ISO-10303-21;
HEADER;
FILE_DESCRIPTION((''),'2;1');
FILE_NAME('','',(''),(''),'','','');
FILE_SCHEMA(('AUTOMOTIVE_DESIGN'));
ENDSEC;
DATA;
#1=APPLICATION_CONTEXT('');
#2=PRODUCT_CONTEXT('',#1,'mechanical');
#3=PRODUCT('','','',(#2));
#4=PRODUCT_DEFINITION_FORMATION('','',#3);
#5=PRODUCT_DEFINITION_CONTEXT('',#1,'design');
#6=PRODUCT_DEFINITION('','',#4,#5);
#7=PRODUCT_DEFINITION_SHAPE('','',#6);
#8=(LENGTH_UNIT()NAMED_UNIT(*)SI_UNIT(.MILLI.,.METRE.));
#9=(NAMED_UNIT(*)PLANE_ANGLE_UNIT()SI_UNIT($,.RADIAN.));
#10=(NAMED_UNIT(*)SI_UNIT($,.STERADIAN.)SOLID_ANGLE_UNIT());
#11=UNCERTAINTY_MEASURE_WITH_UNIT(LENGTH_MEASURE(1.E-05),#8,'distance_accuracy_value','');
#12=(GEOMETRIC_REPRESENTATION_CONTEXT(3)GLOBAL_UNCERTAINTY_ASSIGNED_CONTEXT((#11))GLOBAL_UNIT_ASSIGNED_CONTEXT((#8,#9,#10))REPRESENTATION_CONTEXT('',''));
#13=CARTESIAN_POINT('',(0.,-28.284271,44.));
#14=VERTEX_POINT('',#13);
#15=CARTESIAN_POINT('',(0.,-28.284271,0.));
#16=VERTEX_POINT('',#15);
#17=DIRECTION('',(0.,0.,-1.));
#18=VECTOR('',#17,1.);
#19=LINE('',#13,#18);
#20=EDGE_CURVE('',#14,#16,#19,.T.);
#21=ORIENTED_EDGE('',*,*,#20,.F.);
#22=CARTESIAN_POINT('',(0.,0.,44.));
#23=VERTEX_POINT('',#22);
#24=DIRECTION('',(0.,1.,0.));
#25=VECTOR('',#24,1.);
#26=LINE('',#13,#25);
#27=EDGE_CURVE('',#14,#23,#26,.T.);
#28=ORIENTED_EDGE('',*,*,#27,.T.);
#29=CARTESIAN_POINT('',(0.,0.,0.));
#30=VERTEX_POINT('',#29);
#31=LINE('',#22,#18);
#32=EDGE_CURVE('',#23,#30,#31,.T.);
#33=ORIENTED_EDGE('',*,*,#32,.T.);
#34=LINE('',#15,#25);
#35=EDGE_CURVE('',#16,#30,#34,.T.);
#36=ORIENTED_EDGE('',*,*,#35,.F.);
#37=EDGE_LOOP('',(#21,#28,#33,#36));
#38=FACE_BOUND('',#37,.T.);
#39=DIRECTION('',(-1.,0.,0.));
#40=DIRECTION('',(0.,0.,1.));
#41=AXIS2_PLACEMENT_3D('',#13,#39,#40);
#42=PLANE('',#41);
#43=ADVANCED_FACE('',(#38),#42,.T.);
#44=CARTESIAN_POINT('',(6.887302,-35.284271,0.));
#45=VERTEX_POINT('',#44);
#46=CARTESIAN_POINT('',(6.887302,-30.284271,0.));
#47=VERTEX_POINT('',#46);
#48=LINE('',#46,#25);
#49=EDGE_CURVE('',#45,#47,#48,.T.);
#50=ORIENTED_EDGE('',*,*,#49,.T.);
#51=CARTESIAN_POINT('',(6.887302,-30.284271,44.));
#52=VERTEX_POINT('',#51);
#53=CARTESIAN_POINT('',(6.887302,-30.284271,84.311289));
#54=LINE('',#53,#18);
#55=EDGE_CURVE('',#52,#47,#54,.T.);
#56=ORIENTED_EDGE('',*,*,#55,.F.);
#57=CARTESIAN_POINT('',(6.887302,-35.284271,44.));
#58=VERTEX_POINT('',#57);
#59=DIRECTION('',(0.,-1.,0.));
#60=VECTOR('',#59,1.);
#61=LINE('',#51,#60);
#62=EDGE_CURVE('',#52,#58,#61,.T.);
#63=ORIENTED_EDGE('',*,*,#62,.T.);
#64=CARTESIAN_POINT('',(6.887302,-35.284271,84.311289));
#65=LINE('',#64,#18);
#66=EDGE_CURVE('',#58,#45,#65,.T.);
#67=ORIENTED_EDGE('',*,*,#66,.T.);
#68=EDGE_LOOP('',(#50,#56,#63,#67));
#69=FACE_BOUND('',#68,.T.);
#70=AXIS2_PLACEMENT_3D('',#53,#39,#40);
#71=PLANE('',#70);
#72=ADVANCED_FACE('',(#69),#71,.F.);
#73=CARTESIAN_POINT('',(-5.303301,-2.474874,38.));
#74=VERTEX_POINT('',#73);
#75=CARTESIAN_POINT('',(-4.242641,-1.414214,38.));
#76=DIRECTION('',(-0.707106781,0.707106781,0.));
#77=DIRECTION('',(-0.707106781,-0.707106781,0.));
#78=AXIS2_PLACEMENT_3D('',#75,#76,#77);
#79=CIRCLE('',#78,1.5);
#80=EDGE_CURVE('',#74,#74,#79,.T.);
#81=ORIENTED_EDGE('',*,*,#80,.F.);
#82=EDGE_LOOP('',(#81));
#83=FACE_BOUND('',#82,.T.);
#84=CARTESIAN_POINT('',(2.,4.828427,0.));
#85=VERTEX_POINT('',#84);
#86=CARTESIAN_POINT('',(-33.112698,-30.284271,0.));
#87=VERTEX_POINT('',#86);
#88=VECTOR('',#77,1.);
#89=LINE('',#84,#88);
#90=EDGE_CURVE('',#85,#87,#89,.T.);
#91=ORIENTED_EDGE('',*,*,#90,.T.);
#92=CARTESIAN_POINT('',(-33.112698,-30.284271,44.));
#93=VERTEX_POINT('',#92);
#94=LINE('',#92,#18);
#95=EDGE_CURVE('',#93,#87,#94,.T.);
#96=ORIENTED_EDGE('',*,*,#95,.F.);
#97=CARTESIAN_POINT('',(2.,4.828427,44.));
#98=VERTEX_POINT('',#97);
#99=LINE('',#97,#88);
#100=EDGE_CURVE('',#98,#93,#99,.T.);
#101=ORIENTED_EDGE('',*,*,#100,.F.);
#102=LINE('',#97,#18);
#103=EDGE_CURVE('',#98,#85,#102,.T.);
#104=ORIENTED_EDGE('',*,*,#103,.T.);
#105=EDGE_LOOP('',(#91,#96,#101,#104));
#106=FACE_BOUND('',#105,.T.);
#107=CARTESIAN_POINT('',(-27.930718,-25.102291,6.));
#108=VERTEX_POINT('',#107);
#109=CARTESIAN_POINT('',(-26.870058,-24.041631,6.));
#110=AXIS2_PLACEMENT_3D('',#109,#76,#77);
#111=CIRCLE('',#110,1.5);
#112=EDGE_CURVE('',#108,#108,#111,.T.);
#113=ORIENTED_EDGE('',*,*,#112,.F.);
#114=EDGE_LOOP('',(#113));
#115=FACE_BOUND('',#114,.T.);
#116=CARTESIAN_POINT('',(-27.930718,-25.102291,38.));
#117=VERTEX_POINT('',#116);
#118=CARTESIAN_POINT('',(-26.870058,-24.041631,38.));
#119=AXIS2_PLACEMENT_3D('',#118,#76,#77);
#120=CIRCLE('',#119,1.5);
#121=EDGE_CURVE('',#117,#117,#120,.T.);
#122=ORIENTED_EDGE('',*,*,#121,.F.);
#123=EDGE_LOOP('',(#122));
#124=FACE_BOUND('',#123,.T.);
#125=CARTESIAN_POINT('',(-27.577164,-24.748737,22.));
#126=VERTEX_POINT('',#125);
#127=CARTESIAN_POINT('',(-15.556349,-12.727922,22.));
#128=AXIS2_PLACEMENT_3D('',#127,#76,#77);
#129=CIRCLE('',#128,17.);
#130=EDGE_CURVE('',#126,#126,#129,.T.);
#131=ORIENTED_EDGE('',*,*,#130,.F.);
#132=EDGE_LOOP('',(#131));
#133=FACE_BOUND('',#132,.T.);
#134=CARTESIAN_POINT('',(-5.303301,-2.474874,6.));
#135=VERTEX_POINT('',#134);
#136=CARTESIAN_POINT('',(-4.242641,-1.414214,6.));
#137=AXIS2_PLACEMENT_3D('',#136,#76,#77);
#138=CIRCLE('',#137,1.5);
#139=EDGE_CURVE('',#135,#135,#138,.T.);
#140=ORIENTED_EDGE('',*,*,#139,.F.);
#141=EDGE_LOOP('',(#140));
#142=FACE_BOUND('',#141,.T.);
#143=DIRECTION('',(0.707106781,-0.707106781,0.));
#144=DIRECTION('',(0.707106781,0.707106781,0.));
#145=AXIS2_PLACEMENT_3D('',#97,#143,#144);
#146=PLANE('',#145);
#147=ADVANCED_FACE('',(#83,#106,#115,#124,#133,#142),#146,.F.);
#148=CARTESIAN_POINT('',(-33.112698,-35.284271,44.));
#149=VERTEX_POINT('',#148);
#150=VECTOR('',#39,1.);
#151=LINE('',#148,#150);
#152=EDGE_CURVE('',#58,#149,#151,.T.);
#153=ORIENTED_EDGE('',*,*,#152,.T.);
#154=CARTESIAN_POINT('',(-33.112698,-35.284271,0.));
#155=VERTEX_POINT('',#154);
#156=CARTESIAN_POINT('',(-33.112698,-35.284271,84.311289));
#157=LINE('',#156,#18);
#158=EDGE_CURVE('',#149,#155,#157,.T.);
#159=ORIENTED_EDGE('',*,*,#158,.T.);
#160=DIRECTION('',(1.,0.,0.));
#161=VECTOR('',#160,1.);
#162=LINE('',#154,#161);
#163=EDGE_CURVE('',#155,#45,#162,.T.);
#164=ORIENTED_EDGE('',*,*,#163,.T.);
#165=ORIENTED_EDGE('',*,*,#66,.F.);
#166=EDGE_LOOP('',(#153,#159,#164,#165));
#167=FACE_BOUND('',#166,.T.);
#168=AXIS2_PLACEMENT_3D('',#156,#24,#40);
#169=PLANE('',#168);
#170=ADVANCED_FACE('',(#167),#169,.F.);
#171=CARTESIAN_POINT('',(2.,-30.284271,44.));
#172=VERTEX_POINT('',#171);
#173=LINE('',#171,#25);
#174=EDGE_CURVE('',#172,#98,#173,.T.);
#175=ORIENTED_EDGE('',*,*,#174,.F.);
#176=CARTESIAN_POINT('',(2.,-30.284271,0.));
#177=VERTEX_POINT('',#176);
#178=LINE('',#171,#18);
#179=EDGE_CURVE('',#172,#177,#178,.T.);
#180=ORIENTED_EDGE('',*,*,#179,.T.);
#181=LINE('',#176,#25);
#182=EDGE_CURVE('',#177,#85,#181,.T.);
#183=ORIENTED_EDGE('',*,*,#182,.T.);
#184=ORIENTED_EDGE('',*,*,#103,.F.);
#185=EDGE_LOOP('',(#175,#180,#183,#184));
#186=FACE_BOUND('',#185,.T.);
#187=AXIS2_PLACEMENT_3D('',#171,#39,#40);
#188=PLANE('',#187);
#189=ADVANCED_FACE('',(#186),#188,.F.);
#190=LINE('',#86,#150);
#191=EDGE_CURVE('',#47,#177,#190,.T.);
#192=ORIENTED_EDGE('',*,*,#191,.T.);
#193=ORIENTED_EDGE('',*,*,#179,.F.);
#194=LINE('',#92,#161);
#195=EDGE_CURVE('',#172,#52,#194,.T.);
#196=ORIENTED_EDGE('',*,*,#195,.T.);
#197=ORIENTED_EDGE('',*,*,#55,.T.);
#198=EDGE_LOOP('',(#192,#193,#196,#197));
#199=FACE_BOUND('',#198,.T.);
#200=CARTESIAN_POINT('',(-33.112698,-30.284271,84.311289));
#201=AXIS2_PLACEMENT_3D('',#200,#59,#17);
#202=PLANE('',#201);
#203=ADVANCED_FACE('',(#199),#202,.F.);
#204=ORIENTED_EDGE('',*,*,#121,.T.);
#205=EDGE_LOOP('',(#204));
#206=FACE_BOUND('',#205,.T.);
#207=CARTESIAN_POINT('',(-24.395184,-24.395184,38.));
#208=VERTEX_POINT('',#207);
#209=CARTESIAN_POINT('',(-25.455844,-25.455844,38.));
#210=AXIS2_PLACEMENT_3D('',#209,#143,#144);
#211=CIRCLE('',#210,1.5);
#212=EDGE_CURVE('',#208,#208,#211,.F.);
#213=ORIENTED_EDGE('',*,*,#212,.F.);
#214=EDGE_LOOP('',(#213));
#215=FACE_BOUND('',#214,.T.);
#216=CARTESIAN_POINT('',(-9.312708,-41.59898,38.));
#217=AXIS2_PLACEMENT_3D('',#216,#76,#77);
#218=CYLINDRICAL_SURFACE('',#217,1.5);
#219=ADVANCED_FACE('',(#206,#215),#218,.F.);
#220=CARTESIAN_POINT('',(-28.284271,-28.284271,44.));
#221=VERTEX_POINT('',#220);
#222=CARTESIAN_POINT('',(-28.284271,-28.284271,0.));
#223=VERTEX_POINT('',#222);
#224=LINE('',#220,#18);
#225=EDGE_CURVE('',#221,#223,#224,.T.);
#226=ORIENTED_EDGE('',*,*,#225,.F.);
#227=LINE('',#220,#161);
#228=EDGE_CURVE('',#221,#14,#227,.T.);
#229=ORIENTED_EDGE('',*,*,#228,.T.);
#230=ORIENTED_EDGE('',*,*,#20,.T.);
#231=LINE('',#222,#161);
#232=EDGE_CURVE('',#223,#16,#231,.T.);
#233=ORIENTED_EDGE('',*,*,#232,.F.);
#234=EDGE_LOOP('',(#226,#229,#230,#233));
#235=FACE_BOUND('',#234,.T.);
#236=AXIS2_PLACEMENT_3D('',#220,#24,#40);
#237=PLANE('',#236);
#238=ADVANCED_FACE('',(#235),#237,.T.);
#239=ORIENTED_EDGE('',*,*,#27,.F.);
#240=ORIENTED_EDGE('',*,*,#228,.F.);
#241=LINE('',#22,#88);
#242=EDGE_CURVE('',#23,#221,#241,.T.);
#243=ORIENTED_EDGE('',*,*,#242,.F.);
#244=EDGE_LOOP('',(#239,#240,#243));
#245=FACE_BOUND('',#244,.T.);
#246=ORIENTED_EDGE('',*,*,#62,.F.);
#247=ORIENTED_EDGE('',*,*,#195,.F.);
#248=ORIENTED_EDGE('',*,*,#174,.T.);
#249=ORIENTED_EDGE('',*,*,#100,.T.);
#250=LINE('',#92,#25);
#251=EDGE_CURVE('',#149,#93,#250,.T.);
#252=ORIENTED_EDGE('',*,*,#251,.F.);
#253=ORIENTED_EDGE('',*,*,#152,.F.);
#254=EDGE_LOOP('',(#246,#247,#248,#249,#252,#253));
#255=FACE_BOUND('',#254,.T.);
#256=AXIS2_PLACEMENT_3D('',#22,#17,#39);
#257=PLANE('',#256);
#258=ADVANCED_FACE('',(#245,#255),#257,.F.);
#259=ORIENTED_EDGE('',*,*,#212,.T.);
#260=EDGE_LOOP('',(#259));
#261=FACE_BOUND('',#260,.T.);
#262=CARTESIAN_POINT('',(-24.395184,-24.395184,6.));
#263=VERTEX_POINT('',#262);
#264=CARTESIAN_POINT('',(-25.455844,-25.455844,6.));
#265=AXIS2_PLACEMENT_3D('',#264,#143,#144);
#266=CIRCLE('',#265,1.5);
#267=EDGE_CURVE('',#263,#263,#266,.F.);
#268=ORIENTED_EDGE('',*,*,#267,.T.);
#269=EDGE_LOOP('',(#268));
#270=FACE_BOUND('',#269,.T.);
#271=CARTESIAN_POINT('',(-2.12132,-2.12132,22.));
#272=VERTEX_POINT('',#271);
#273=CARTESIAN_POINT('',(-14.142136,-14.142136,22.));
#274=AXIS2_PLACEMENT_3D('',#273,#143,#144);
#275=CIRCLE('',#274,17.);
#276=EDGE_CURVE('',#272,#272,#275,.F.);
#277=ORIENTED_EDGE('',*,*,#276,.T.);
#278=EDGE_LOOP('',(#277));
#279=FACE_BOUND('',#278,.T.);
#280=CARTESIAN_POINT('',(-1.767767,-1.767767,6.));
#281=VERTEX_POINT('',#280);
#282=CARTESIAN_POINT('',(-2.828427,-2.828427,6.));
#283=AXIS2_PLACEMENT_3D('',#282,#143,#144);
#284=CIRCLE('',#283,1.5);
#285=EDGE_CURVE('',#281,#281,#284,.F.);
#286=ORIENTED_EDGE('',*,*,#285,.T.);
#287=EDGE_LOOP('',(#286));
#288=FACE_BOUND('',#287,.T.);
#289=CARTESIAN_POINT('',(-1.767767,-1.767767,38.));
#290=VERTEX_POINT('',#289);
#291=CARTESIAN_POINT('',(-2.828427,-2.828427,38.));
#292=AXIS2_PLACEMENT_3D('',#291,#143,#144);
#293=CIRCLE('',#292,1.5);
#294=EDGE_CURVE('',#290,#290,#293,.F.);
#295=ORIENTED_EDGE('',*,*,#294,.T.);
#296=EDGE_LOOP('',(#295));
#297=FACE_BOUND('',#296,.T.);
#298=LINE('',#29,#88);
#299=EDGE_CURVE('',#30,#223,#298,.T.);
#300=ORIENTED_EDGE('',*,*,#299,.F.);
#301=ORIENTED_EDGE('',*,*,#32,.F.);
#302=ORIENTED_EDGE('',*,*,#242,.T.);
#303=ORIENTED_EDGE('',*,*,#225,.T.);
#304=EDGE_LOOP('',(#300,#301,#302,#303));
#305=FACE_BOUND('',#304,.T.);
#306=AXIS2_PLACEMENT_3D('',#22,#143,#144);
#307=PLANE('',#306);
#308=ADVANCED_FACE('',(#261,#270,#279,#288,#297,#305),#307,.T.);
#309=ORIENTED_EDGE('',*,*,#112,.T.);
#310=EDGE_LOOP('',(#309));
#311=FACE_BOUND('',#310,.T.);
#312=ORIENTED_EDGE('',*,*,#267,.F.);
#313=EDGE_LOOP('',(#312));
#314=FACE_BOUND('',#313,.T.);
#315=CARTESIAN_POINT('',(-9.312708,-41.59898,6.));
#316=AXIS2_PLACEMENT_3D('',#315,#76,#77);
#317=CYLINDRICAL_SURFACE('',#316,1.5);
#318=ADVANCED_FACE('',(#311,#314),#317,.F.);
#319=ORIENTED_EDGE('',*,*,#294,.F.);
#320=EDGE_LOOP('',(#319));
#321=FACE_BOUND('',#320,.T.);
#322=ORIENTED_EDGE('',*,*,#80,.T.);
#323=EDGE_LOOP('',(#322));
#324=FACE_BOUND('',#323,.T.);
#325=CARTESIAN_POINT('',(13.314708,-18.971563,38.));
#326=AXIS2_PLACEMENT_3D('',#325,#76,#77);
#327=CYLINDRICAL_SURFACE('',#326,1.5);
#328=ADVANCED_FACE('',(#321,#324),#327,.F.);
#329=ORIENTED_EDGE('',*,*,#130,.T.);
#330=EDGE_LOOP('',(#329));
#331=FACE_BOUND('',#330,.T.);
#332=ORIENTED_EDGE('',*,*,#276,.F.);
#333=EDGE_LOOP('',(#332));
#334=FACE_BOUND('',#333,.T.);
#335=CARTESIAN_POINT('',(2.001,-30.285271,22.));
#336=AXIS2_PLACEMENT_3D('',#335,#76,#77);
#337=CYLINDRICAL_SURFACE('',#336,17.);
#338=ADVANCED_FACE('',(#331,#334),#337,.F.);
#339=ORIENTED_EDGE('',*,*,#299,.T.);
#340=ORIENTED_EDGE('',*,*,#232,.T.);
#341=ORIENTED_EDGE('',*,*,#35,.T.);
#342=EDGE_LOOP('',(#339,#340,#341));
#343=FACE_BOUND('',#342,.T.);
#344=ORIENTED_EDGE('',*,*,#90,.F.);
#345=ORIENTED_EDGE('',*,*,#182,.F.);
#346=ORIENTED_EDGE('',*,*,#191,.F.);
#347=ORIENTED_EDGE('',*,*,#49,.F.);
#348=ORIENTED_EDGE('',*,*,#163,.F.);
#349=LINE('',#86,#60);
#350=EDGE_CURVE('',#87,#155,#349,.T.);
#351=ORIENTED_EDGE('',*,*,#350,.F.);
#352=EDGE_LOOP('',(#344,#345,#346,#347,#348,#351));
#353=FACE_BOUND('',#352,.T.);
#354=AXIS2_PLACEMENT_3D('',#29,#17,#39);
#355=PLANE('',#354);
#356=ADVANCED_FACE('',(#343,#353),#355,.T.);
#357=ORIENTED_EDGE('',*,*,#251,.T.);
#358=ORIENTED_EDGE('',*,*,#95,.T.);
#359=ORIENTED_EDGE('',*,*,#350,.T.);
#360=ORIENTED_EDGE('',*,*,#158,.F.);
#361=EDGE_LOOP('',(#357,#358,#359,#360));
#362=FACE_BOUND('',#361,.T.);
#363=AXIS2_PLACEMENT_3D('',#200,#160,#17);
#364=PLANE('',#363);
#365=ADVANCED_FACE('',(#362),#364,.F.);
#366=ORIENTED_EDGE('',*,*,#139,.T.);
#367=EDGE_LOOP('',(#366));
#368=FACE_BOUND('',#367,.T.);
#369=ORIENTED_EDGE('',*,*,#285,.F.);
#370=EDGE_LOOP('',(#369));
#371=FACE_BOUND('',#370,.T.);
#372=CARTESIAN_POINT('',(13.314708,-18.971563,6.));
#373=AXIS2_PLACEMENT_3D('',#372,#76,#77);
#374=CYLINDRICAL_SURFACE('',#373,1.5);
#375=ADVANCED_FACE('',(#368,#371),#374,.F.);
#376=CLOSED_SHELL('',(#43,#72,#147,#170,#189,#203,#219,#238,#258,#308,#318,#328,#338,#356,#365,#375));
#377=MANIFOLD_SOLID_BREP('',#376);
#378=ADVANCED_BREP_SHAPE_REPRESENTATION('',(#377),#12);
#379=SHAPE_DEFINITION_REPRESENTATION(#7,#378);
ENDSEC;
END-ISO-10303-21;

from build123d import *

# Parameters (mm, degrees)
BOSS_EXTRUDE1_DEPTH = 44
CUT_EXTRUDE1_REACH  = 64.814
SKETCH2_R           = 1.5
SKETCH2_R_2         = 17
SKETCH3_W           = 40
SKETCH3_H           = 5
BOSS_EXTRUDE2_DEPTH = 44


with BuildPart() as part:
    # Sketch1 → Boss-Extrude1 (new body)
    with BuildSketch(Plane.XY):
        Polygon((2, 4.828427125), (-33.112698372, -30.284271247), (2, -30.284271247), align=None)
        Polygon((0, 0), (-28.284271247, -28.284271247), (0, -28.284271247), align=None, mode=Mode.SUBTRACT)
    extrude(amount=BOSS_EXTRUDE1_DEPTH)

    # Sketch2 → Cut-Extrude1 (cut, up to next)
    with BuildSketch(Plane(origin=(-1.414213562, 1.414213562, 0), x_dir=(0, 0, 1), z_dir=(-0.7071067811865513, 0.7071067811865437, 0)), mode=Mode.PRIVATE) as cut_extrude1_sk1:
        with Locations(Location((6, -36, 0), (0, 0, 270))):
            Circle(SKETCH2_R)
    cut_extrude1_tool1 = extrude(cut_extrude1_sk1.sketch, amount=-CUT_EXTRUDE1_REACH, mode=Mode.PRIVATE) & part.part
    # Sketch2 → Cut-Extrude1 (cut, up to next)
    with BuildSketch(Plane(origin=(-1.414213562, 1.414213562, 0), x_dir=(0, 0, 1), z_dir=(-0.7071067811865513, 0.7071067811865437, 0)), mode=Mode.PRIVATE) as cut_extrude1_sk2:
        with Locations(Location((6, -4, 0), (0, 0, 270))):
            Circle(SKETCH2_R)
    cut_extrude1_tool2 = extrude(cut_extrude1_sk2.sketch, amount=-CUT_EXTRUDE1_REACH, mode=Mode.PRIVATE) & part.part
    # Sketch2 → Cut-Extrude1 (cut, up to next)
    with BuildSketch(Plane(origin=(-1.414213562, 1.414213562, 0), x_dir=(0, 0, 1), z_dir=(-0.7071067811865513, 0.7071067811865437, 0)), mode=Mode.PRIVATE) as cut_extrude1_sk3:
        with Locations(Location((38, -36, 0), (0, 0, 270))):
            Circle(SKETCH2_R)
    cut_extrude1_tool3 = extrude(cut_extrude1_sk3.sketch, amount=-CUT_EXTRUDE1_REACH, mode=Mode.PRIVATE) & part.part
    # Sketch2 → Cut-Extrude1 (cut, up to next)
    with BuildSketch(Plane(origin=(-1.414213562, 1.414213562, 0), x_dir=(0, 0, 1), z_dir=(-0.7071067811865513, 0.7071067811865437, 0)), mode=Mode.PRIVATE) as cut_extrude1_sk4:
        with Locations(Location((38, -4, 0), (0, 0, 270))):
            Circle(SKETCH2_R)
    cut_extrude1_tool4 = extrude(cut_extrude1_sk4.sketch, amount=-CUT_EXTRUDE1_REACH, mode=Mode.PRIVATE) & part.part
    # Sketch2 → Cut-Extrude1 (cut, up to next)
    with BuildSketch(Plane(origin=(-1.414213562, 1.414213562, 0), x_dir=(0, 0, 1), z_dir=(-0.7071067811865513, 0.7071067811865437, 0)), mode=Mode.PRIVATE) as cut_extrude1_sk5:
        with Locations(Location((22, -20, 0), (0, 0, 270))):
            Circle(SKETCH2_R_2)
    cut_extrude1_tool5 = extrude(cut_extrude1_sk5.sketch, amount=-CUT_EXTRUDE1_REACH, mode=Mode.PRIVATE) & part.part
    add(cut_extrude1_tool1.solids().sort_by_distance((-26.870058, -24.041631, 6))[0], mode=Mode.SUBTRACT)
    add(cut_extrude1_tool2.solids().sort_by_distance((-4.242641, -1.414214, 6))[0], mode=Mode.SUBTRACT)
    add(cut_extrude1_tool3.solids().sort_by_distance((-26.870058, -24.041631, 38))[0], mode=Mode.SUBTRACT)
    add(cut_extrude1_tool4.solids().sort_by_distance((-4.242641, -1.414214, 38))[0], mode=Mode.SUBTRACT)
    add(cut_extrude1_tool5.solids().sort_by_distance((-15.556349, -12.727922, 22))[0], mode=Mode.SUBTRACT)

    # Sketch3 → Boss-Extrude2 (add)
    with BuildSketch(Plane.XY):
        with Locations((-13.112698372, -32.784271247)):
            Rectangle(SKETCH3_W, SKETCH3_H)
    extrude(amount=BOSS_EXTRUDE2_DEPTH)


solid = part.part
